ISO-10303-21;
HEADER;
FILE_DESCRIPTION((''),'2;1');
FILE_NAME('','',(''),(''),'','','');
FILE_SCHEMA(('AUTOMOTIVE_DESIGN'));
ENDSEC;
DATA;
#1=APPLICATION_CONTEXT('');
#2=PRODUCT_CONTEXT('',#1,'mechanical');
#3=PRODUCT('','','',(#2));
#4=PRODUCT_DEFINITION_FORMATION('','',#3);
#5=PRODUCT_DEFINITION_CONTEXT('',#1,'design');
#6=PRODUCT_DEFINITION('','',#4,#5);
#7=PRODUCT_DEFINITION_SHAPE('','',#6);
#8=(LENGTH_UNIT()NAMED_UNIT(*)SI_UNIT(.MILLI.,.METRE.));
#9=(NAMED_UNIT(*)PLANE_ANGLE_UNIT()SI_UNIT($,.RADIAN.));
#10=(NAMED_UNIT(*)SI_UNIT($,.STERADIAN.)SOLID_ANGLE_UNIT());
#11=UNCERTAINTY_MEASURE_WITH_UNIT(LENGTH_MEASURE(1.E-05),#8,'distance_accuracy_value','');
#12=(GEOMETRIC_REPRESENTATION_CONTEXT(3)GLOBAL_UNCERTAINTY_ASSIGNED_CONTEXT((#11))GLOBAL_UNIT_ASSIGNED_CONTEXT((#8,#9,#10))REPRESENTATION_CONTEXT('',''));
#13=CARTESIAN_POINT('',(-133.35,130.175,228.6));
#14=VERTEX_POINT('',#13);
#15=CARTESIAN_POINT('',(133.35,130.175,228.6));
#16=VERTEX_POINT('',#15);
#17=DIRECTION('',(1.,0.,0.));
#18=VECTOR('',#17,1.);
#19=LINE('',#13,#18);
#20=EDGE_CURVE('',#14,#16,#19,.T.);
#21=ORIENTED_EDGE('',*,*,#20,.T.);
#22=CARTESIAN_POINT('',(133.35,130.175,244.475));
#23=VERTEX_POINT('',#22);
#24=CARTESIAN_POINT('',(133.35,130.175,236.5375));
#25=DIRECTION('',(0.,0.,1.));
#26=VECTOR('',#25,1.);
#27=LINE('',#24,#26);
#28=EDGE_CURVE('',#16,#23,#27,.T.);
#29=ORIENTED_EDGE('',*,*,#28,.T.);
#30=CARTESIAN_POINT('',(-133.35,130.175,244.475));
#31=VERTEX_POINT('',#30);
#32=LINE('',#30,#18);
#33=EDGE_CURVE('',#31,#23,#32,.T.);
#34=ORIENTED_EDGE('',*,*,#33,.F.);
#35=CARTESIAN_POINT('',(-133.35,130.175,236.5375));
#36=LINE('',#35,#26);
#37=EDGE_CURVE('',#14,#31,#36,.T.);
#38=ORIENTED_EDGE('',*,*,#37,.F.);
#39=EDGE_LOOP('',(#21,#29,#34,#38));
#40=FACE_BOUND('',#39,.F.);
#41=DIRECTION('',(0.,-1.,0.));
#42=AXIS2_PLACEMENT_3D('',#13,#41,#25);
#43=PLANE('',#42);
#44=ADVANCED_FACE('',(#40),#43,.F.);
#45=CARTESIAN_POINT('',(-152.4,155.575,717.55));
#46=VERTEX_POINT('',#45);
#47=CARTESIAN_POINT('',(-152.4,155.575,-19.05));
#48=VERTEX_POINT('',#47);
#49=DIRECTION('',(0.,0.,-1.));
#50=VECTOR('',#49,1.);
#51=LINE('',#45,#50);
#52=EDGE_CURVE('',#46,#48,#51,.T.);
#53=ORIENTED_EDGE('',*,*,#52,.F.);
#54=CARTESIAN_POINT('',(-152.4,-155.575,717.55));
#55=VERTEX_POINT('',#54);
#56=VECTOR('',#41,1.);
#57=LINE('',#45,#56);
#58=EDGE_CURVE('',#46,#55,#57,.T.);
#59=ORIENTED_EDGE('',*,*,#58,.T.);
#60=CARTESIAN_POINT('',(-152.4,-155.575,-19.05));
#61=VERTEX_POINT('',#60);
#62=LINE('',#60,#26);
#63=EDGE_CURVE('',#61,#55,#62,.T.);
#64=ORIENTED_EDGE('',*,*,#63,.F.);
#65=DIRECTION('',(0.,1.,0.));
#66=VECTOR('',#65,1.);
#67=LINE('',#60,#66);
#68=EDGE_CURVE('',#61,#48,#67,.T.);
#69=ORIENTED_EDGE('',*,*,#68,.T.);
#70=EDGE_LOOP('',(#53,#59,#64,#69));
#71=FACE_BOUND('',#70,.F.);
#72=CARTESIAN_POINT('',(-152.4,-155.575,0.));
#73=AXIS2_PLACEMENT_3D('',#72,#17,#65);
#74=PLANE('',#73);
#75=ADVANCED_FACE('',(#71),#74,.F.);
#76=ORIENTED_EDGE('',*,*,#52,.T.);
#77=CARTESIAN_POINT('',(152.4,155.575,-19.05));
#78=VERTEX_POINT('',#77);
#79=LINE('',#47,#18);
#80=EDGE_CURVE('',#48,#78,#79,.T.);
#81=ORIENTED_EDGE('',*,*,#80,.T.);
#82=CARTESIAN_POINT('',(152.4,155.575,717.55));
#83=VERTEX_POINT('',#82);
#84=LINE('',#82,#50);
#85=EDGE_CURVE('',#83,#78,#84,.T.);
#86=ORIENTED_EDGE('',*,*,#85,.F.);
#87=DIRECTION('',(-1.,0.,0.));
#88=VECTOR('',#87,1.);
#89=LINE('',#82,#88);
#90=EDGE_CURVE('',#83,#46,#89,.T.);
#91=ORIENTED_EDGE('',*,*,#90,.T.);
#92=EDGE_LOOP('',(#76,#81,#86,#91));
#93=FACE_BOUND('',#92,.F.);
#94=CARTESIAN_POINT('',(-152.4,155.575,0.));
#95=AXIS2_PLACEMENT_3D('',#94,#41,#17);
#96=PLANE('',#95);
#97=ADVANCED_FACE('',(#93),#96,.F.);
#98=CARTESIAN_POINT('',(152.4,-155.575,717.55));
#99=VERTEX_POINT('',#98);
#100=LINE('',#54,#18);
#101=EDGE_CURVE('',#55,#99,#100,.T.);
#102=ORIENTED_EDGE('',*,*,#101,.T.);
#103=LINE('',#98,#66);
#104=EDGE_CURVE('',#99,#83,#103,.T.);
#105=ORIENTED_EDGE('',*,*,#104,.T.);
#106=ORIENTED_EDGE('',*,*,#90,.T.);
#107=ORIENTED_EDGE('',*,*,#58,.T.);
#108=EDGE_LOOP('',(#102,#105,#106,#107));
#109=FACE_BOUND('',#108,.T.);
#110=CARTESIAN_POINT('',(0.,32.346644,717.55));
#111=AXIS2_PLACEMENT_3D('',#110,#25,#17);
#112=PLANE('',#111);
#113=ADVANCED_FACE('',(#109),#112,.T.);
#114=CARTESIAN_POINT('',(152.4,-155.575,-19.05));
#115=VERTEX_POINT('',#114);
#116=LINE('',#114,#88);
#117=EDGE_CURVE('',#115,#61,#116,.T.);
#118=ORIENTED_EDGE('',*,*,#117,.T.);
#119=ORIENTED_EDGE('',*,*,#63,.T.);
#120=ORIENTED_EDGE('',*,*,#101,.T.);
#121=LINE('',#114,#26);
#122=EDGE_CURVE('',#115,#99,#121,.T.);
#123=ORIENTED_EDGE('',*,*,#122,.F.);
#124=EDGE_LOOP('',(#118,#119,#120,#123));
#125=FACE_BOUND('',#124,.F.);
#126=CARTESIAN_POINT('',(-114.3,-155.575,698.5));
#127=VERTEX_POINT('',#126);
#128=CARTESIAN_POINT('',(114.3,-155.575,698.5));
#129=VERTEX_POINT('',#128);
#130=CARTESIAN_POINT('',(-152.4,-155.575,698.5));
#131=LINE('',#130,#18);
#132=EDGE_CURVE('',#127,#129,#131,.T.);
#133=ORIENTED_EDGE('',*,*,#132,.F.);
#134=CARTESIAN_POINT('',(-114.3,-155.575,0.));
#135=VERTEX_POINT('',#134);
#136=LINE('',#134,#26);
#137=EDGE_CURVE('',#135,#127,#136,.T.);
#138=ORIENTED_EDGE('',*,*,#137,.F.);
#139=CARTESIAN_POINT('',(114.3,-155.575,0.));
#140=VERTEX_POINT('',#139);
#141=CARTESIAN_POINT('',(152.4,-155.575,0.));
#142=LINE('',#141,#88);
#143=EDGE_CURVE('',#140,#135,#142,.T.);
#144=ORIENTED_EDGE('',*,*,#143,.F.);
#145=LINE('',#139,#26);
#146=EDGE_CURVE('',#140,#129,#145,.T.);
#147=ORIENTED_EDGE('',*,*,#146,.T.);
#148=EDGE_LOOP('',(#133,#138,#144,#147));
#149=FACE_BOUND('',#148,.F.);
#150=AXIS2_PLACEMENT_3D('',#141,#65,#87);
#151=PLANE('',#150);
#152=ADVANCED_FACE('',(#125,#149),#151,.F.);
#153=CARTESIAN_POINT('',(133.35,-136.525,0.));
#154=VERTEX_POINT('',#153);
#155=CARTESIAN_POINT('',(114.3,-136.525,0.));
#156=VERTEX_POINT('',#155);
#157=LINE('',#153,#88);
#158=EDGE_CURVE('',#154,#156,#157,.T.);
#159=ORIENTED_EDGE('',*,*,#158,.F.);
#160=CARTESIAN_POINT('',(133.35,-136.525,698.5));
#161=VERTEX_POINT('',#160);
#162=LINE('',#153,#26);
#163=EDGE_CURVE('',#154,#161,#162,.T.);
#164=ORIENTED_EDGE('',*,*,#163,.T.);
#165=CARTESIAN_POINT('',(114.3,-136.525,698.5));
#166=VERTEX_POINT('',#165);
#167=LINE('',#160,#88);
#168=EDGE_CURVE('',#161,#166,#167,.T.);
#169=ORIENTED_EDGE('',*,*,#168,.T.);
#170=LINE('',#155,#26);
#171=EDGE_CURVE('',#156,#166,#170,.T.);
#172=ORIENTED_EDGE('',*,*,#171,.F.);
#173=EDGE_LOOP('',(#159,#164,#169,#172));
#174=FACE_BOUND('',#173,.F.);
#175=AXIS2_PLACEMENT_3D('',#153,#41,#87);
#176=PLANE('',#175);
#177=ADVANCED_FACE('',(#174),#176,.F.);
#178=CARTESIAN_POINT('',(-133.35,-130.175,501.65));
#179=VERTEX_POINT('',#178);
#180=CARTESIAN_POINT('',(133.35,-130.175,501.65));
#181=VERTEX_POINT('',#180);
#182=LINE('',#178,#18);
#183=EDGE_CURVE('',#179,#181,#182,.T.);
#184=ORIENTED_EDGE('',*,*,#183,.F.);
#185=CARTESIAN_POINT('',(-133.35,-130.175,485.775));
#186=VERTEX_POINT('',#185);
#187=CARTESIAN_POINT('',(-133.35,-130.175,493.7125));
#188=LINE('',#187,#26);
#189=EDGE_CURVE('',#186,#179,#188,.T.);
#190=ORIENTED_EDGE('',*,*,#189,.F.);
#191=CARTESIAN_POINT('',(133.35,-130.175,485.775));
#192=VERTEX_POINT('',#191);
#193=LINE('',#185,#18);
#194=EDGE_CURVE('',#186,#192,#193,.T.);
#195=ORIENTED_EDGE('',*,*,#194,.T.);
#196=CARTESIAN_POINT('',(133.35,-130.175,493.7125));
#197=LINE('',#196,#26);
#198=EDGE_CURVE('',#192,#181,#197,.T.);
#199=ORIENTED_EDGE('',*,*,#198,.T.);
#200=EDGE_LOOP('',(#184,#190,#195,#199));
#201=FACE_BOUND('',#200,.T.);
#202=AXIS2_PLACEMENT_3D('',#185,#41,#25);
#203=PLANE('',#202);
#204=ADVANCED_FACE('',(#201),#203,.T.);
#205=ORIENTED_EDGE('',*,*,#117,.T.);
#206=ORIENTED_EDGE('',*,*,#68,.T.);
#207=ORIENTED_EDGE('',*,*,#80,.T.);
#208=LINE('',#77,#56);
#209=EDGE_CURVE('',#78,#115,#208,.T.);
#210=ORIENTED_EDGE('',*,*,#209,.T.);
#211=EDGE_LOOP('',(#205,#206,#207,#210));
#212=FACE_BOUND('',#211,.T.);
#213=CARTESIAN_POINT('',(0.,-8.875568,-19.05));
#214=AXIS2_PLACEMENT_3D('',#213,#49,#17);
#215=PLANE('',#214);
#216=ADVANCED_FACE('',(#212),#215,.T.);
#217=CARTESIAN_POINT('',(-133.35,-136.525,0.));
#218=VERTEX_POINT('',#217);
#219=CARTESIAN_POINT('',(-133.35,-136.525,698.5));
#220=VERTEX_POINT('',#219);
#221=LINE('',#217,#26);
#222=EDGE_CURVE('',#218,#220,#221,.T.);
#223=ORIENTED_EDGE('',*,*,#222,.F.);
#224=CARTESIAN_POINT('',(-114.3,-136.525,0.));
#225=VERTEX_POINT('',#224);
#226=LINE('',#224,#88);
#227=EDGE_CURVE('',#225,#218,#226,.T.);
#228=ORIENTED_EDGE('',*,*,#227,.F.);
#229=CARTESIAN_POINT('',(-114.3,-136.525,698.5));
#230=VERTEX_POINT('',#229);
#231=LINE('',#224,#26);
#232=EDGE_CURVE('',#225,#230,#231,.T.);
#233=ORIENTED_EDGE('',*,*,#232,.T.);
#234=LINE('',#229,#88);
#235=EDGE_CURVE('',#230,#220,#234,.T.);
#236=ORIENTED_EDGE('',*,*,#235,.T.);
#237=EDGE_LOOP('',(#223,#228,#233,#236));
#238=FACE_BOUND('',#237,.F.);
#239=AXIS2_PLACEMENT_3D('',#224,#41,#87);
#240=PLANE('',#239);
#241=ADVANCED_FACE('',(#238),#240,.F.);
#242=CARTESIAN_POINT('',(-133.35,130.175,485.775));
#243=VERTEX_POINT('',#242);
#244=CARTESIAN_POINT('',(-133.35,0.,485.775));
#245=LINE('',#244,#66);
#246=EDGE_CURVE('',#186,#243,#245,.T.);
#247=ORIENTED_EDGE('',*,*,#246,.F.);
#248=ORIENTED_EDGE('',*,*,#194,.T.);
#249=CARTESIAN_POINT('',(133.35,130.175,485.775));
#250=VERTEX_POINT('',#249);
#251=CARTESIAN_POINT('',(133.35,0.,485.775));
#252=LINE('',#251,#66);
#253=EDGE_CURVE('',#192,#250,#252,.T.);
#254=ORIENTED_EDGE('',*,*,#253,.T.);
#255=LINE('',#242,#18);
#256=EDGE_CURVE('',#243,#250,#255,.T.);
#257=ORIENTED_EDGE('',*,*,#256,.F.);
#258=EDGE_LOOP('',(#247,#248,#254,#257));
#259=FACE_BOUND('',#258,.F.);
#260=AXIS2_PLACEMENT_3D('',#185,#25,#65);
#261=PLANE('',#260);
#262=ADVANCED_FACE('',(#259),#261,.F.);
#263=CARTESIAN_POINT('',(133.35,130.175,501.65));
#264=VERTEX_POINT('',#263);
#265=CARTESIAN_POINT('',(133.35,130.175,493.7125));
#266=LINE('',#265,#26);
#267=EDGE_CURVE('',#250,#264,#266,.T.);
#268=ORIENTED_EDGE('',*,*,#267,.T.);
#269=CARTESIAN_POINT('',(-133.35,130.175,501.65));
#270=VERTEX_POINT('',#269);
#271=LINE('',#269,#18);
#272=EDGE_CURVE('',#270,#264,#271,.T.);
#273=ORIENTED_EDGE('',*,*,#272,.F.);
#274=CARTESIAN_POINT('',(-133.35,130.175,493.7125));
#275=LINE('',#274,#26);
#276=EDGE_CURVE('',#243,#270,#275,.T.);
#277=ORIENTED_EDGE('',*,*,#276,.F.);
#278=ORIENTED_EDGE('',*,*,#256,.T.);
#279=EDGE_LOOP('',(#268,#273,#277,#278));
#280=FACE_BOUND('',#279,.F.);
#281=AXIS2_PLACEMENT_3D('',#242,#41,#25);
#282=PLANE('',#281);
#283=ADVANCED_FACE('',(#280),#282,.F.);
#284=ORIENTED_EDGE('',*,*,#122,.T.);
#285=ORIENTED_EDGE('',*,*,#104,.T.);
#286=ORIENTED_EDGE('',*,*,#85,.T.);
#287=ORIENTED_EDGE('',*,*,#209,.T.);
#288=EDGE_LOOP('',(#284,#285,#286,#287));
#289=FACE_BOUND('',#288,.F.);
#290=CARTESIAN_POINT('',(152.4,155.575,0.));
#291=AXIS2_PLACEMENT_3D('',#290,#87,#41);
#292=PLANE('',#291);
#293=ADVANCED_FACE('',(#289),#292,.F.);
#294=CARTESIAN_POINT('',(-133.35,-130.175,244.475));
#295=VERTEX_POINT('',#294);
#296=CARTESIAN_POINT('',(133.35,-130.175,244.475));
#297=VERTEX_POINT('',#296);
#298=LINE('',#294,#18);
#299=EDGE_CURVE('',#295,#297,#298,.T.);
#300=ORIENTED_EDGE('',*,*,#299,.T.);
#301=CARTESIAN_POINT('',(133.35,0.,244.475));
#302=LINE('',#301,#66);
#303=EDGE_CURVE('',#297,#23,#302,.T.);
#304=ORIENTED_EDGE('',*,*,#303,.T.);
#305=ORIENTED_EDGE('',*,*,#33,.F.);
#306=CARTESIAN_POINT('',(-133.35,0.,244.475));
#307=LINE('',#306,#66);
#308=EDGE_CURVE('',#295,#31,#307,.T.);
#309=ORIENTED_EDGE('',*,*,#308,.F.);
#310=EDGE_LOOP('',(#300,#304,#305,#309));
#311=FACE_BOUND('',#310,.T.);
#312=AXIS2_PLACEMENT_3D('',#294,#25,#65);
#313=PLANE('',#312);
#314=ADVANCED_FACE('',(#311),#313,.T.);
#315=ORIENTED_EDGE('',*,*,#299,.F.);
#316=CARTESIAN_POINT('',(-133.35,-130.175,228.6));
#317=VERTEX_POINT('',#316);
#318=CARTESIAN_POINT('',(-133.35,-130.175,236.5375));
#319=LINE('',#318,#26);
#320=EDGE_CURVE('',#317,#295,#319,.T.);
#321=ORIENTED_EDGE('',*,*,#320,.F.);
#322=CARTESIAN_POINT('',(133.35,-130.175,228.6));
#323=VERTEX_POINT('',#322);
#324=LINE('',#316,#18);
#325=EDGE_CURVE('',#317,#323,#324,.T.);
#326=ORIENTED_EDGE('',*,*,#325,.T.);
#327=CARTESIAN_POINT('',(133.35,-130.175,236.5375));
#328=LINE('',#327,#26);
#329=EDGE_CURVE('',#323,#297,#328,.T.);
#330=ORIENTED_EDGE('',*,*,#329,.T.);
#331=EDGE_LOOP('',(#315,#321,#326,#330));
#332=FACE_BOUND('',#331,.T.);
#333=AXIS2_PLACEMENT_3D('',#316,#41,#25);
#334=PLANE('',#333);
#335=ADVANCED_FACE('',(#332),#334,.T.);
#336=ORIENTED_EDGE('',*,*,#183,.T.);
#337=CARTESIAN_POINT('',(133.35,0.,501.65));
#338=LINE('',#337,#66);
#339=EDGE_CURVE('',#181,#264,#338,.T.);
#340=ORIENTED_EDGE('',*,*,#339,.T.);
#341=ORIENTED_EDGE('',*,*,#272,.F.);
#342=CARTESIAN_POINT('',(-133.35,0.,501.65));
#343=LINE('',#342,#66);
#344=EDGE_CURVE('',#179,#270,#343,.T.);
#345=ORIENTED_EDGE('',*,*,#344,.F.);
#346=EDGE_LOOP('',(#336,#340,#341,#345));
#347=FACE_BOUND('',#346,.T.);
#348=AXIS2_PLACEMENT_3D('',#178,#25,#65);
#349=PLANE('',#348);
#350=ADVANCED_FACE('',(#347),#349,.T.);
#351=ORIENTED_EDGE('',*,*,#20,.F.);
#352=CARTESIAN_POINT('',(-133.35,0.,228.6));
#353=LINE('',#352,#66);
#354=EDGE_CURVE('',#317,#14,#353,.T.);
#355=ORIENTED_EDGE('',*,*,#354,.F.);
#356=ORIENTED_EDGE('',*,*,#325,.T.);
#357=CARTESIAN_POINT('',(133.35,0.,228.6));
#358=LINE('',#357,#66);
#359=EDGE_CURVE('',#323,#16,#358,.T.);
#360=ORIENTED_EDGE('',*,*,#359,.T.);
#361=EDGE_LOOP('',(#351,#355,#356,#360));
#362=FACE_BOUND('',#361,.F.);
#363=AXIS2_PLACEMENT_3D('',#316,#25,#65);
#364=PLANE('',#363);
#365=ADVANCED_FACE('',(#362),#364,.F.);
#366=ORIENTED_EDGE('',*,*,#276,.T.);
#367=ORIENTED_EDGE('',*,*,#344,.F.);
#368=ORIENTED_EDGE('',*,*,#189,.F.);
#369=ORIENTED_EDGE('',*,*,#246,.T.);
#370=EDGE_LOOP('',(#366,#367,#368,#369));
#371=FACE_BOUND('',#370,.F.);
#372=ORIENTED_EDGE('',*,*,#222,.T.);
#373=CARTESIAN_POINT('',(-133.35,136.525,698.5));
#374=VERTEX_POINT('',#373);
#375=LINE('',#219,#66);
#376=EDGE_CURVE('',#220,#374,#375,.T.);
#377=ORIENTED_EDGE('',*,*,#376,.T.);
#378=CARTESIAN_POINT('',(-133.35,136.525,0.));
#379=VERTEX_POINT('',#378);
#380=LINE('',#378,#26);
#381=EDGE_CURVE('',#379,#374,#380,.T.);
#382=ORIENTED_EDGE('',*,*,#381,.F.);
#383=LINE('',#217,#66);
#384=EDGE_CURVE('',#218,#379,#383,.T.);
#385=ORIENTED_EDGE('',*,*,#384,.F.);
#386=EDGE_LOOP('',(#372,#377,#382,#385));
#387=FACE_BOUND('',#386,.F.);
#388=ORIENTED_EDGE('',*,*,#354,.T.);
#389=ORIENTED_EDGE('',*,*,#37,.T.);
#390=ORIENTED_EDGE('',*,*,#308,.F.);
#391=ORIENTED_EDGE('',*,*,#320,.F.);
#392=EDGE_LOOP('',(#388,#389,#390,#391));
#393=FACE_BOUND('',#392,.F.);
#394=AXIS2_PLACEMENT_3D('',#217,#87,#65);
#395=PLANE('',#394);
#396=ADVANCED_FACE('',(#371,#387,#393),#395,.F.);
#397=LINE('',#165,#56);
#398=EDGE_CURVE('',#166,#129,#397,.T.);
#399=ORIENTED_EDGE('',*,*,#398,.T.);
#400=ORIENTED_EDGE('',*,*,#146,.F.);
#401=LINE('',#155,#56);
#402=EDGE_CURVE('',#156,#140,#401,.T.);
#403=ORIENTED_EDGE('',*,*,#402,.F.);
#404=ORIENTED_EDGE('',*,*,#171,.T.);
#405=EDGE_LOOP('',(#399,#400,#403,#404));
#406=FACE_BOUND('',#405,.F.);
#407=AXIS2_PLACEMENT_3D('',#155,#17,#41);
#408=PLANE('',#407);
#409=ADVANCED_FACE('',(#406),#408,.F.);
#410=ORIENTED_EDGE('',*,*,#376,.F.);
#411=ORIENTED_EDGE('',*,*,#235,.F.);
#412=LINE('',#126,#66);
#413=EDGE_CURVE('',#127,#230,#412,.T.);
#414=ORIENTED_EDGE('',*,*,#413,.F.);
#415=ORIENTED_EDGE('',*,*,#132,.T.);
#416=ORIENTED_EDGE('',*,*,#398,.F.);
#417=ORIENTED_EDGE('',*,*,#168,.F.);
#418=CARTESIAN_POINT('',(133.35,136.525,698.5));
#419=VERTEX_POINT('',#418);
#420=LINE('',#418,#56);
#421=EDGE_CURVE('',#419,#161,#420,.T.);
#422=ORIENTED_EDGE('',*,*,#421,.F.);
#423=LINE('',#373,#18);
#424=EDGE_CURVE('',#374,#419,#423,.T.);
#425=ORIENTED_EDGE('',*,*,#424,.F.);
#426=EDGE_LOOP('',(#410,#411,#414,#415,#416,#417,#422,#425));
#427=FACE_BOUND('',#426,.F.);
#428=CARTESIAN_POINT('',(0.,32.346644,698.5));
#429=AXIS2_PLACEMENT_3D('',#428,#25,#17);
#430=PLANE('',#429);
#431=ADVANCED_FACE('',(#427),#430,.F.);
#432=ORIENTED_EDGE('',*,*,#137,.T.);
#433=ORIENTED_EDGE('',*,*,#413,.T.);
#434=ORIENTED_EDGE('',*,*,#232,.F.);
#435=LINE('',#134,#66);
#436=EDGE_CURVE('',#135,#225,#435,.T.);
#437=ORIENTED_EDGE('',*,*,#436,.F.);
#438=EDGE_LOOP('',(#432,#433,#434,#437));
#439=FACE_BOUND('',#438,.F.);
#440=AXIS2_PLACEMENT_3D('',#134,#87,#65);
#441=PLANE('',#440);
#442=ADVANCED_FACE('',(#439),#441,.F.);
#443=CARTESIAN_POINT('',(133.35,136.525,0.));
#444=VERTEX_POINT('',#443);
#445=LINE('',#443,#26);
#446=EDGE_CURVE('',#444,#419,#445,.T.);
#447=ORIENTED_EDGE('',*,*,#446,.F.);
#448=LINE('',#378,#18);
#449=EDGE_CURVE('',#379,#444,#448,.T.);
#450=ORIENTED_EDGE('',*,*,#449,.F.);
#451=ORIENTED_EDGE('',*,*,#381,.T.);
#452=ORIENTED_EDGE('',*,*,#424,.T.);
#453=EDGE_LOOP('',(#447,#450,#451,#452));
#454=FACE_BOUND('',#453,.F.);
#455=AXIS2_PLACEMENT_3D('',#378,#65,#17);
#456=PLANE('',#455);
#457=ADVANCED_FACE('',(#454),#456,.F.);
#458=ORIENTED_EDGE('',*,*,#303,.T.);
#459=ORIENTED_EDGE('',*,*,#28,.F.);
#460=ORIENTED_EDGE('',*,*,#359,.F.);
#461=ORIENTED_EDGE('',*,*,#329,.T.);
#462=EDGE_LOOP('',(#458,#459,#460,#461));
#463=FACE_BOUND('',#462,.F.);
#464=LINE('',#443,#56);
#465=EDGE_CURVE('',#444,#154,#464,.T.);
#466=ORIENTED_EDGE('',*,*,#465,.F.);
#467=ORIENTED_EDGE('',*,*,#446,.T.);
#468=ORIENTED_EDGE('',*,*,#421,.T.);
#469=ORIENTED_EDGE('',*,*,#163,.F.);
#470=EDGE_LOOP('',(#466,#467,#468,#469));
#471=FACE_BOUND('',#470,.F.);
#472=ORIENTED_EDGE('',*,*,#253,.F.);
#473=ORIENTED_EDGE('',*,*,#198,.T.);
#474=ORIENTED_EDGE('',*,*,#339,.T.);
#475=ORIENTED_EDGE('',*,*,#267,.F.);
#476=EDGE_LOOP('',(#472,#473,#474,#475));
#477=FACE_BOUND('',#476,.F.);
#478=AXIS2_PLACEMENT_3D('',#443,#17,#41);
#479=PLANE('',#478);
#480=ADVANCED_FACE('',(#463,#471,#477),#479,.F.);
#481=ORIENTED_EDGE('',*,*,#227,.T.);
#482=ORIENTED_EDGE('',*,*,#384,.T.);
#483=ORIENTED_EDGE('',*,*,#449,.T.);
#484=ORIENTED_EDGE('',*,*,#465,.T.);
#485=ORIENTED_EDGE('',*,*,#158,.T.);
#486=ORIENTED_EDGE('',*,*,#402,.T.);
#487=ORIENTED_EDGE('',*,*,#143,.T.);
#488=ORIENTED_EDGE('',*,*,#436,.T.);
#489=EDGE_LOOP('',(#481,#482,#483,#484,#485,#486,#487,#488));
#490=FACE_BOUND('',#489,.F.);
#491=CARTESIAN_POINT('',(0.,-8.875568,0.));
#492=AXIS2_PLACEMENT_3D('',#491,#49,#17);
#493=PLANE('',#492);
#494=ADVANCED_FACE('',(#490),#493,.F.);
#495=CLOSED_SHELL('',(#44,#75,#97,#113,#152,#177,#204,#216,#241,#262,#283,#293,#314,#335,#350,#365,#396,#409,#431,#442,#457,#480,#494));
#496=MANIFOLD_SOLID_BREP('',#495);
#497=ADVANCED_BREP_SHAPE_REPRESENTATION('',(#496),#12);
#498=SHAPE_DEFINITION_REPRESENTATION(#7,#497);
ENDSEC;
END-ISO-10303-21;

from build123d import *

# Parameters (mm, degrees)
F1_DEPTH = 698.5
F3_DEPTH = 19.05
F5_DEPTH = 19.05
F6_W     = 260.35
F6_H     = 15.875
F7_DEPTH = 266.7


with BuildPart() as f1:
    # F0 (on Top) → F1 (new body)
    with BuildSketch(Plane.XY):
        Polygon((-133.35, -136.525), (-133.35, 136.525), (133.35, 136.525), (133.35, -136.525), (114.3, -136.525), (114.3, -155.575), (152.4, -155.575), (152.4, 155.575), (-152.4, 155.575), (-152.4, -155.575), (-114.3, -155.575), (-114.3, -136.525), align=None)
    extrude(amount=F1_DEPTH)

    # F2 (on face) → F3 (join)
    with BuildSketch(Plane.XY.offset(698.5)):
        Polygon((152.4, 155.575), (-152.4, 155.575), (-152.4, -155.575), (-114.3, -155.575), (-114.3, -136.525), (-133.35, -136.525), (-133.35, 136.525), (133.35, 136.525), (133.35, -136.525), (114.3, -136.525), (114.3, -155.575), (152.4, -155.575), align=None)
        Polygon((-114.3, -136.525), (-114.3, -155.575), (114.3, -155.575), (114.3, -136.525), (133.35, -136.525), (133.35, 136.525), (-133.35, 136.525), (-133.35, -136.525), align=None)
    extrude(amount=F3_DEPTH)

    # F4 (on face) → F5 (join)
    with BuildSketch(Plane(origin=(0, 0, 0), x_dir=(1, 0, 0), z_dir=(0, 0, -1))):
        Polygon((114.3, 155.575), (-114.3, 155.575), (-114.3, 136.525), (-133.35, 136.525), (-133.35, -136.525), (133.35, -136.525), (133.35, 136.525), (114.3, 136.525), align=None)
        Polygon((-152.4, 155.575), (-152.4, -155.575), (152.4, -155.575), (152.4, 155.575), (114.3, 155.575), (114.3, 136.525), (133.35, 136.525), (133.35, -136.525), (-133.35, -136.525), (-133.35, 136.525), (-114.3, 136.525), (-114.3, 155.575), align=None)
    extrude(amount=F5_DEPTH)

    # F6 (on face) → F7 (join, through all)
    with BuildSketch(Plane.YZ.offset(-133.35)):
        with Locations((0, 493.7125)):
            Rectangle(F6_W, F6_H)
        with Locations((0, 236.5375)):
            Rectangle(F6_W, F6_H)
    extrude(amount=F7_DEPTH)


solid = f1.part
